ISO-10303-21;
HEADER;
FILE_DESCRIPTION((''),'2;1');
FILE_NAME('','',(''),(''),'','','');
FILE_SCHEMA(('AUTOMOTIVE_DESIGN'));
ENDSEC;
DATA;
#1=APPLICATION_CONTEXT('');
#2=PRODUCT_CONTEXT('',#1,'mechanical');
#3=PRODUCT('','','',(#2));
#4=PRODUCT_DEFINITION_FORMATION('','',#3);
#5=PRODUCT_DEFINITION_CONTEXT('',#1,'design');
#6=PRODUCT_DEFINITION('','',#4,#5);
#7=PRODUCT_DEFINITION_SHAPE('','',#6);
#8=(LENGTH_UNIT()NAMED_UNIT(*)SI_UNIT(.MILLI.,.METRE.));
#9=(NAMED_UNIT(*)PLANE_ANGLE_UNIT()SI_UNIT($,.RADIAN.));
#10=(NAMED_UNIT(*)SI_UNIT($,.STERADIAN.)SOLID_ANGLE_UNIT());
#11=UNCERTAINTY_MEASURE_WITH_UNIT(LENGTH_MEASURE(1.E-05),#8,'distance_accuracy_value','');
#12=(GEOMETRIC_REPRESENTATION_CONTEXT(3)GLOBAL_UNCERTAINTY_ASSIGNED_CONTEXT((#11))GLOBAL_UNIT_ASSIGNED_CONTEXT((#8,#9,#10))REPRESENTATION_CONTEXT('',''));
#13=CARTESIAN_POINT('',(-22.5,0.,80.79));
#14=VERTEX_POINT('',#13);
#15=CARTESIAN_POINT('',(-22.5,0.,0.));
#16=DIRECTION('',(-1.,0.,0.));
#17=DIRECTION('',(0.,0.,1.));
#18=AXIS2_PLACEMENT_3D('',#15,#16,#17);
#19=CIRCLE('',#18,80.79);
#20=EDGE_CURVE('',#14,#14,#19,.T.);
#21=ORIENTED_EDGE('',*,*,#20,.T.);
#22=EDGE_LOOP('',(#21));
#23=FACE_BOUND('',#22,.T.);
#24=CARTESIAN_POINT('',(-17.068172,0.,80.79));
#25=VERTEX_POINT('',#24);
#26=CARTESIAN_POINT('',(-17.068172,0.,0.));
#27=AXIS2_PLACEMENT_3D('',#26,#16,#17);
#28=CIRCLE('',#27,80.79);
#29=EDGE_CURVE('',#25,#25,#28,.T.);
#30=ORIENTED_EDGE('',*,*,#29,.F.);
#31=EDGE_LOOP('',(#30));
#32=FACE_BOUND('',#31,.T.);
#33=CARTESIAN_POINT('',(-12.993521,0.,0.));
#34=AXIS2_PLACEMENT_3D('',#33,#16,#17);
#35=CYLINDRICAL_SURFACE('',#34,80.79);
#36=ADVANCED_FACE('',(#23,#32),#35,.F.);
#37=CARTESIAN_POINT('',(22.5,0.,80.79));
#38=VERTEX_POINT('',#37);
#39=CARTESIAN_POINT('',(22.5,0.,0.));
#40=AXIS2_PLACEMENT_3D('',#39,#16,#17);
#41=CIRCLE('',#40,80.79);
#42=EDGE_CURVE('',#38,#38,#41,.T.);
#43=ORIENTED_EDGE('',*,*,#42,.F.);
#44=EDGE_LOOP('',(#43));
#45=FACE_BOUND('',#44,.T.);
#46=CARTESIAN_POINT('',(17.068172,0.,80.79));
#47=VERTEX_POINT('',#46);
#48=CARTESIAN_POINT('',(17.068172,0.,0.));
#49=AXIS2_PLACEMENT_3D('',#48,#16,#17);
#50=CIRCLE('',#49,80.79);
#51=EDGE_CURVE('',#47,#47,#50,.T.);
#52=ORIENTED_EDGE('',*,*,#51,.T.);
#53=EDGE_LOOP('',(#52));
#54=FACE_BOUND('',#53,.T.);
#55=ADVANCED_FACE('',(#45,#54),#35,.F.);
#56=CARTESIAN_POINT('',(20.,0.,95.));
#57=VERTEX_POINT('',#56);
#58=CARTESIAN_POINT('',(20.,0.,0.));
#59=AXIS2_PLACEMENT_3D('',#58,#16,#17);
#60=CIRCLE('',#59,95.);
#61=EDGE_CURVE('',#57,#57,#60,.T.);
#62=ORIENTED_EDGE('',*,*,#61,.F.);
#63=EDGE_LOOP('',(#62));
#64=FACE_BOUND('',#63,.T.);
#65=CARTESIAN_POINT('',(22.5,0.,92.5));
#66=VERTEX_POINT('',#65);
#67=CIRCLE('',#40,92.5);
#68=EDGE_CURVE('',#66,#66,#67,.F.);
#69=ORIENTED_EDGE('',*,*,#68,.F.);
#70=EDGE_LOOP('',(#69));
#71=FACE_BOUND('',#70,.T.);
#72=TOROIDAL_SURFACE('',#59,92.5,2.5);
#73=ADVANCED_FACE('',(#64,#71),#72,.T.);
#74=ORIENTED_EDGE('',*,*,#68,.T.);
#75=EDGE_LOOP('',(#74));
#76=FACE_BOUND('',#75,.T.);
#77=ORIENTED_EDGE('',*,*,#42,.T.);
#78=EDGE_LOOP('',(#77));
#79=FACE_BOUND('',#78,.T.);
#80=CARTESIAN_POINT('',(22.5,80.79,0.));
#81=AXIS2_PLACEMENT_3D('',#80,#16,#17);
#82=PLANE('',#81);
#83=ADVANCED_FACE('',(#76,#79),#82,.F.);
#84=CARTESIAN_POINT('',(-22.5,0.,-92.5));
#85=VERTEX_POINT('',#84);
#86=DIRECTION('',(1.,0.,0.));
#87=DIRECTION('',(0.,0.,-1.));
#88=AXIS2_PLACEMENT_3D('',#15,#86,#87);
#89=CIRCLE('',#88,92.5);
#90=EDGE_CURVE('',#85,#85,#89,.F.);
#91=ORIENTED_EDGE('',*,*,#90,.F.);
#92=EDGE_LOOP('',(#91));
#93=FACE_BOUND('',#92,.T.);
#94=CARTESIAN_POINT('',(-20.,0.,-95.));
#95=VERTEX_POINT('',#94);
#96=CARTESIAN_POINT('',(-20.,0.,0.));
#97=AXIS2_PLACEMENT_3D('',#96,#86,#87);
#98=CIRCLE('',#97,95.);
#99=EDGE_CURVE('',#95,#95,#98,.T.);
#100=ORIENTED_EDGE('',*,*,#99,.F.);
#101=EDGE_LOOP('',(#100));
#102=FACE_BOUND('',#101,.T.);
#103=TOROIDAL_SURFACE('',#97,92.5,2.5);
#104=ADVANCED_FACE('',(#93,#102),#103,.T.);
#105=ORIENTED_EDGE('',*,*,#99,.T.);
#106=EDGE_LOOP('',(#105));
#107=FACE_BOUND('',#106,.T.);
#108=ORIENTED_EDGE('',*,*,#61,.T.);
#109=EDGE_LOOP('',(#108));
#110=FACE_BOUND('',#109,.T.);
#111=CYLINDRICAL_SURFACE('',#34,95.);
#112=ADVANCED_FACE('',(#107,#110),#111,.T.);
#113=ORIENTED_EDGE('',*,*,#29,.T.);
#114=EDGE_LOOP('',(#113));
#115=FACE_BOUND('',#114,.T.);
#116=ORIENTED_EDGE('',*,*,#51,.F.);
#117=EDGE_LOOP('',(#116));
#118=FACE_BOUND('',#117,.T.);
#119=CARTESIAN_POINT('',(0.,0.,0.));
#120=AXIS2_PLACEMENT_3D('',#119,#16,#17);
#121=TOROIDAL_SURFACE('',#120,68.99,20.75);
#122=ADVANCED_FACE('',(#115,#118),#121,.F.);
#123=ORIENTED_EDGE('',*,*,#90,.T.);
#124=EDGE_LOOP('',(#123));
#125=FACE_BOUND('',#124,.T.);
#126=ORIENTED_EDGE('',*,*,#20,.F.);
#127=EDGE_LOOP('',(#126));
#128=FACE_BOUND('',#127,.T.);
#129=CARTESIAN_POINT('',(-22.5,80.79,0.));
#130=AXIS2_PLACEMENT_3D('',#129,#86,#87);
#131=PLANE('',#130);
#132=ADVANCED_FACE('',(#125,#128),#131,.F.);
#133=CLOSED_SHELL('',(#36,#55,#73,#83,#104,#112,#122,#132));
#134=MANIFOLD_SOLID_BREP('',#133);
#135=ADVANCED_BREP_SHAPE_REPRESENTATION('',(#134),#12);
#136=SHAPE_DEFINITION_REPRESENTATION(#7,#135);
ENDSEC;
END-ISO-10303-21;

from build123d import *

# Parameters (mm, degrees)
FILLET1_R = 2.5


with BuildPart() as part:
    # Sketch2 → Revolve1 (revolve)
    with BuildSketch(Plane.XY, mode=Mode.PRIVATE) as revolve1_sk:
        with BuildLine():
            Line((22.5, 80.79), (17.068172134, 80.79))
            ThreePointArc((17.068172134, 80.79), (0, 89.74), (-17.068172134, 80.79))
            Line((-17.068172134, 80.79), (-22.5, 80.79))
            Line((-22.5, 80.79), (-22.5, 95))
            Line((-22.5, 95), (22.5, 95))
            Line((22.5, 95), (22.5, 80.79))
        make_face()
    revolve(revolve1_sk.sketch.rotate(Axis((-12.993521412, 0, 0), (1, 0, 0)), 90), axis=Axis((-12.993521412, 0, 0), (1, 0, 0)))

    # Fillet1
    fillet1_edges = [part.edges().sort_by_distance(p)[0] for p in [
        (22.5, 0, -95),
        (-22.5, 0, -95),
    ]]
    fillet(fillet1_edges, radius=FILLET1_R)


solid = part.part
